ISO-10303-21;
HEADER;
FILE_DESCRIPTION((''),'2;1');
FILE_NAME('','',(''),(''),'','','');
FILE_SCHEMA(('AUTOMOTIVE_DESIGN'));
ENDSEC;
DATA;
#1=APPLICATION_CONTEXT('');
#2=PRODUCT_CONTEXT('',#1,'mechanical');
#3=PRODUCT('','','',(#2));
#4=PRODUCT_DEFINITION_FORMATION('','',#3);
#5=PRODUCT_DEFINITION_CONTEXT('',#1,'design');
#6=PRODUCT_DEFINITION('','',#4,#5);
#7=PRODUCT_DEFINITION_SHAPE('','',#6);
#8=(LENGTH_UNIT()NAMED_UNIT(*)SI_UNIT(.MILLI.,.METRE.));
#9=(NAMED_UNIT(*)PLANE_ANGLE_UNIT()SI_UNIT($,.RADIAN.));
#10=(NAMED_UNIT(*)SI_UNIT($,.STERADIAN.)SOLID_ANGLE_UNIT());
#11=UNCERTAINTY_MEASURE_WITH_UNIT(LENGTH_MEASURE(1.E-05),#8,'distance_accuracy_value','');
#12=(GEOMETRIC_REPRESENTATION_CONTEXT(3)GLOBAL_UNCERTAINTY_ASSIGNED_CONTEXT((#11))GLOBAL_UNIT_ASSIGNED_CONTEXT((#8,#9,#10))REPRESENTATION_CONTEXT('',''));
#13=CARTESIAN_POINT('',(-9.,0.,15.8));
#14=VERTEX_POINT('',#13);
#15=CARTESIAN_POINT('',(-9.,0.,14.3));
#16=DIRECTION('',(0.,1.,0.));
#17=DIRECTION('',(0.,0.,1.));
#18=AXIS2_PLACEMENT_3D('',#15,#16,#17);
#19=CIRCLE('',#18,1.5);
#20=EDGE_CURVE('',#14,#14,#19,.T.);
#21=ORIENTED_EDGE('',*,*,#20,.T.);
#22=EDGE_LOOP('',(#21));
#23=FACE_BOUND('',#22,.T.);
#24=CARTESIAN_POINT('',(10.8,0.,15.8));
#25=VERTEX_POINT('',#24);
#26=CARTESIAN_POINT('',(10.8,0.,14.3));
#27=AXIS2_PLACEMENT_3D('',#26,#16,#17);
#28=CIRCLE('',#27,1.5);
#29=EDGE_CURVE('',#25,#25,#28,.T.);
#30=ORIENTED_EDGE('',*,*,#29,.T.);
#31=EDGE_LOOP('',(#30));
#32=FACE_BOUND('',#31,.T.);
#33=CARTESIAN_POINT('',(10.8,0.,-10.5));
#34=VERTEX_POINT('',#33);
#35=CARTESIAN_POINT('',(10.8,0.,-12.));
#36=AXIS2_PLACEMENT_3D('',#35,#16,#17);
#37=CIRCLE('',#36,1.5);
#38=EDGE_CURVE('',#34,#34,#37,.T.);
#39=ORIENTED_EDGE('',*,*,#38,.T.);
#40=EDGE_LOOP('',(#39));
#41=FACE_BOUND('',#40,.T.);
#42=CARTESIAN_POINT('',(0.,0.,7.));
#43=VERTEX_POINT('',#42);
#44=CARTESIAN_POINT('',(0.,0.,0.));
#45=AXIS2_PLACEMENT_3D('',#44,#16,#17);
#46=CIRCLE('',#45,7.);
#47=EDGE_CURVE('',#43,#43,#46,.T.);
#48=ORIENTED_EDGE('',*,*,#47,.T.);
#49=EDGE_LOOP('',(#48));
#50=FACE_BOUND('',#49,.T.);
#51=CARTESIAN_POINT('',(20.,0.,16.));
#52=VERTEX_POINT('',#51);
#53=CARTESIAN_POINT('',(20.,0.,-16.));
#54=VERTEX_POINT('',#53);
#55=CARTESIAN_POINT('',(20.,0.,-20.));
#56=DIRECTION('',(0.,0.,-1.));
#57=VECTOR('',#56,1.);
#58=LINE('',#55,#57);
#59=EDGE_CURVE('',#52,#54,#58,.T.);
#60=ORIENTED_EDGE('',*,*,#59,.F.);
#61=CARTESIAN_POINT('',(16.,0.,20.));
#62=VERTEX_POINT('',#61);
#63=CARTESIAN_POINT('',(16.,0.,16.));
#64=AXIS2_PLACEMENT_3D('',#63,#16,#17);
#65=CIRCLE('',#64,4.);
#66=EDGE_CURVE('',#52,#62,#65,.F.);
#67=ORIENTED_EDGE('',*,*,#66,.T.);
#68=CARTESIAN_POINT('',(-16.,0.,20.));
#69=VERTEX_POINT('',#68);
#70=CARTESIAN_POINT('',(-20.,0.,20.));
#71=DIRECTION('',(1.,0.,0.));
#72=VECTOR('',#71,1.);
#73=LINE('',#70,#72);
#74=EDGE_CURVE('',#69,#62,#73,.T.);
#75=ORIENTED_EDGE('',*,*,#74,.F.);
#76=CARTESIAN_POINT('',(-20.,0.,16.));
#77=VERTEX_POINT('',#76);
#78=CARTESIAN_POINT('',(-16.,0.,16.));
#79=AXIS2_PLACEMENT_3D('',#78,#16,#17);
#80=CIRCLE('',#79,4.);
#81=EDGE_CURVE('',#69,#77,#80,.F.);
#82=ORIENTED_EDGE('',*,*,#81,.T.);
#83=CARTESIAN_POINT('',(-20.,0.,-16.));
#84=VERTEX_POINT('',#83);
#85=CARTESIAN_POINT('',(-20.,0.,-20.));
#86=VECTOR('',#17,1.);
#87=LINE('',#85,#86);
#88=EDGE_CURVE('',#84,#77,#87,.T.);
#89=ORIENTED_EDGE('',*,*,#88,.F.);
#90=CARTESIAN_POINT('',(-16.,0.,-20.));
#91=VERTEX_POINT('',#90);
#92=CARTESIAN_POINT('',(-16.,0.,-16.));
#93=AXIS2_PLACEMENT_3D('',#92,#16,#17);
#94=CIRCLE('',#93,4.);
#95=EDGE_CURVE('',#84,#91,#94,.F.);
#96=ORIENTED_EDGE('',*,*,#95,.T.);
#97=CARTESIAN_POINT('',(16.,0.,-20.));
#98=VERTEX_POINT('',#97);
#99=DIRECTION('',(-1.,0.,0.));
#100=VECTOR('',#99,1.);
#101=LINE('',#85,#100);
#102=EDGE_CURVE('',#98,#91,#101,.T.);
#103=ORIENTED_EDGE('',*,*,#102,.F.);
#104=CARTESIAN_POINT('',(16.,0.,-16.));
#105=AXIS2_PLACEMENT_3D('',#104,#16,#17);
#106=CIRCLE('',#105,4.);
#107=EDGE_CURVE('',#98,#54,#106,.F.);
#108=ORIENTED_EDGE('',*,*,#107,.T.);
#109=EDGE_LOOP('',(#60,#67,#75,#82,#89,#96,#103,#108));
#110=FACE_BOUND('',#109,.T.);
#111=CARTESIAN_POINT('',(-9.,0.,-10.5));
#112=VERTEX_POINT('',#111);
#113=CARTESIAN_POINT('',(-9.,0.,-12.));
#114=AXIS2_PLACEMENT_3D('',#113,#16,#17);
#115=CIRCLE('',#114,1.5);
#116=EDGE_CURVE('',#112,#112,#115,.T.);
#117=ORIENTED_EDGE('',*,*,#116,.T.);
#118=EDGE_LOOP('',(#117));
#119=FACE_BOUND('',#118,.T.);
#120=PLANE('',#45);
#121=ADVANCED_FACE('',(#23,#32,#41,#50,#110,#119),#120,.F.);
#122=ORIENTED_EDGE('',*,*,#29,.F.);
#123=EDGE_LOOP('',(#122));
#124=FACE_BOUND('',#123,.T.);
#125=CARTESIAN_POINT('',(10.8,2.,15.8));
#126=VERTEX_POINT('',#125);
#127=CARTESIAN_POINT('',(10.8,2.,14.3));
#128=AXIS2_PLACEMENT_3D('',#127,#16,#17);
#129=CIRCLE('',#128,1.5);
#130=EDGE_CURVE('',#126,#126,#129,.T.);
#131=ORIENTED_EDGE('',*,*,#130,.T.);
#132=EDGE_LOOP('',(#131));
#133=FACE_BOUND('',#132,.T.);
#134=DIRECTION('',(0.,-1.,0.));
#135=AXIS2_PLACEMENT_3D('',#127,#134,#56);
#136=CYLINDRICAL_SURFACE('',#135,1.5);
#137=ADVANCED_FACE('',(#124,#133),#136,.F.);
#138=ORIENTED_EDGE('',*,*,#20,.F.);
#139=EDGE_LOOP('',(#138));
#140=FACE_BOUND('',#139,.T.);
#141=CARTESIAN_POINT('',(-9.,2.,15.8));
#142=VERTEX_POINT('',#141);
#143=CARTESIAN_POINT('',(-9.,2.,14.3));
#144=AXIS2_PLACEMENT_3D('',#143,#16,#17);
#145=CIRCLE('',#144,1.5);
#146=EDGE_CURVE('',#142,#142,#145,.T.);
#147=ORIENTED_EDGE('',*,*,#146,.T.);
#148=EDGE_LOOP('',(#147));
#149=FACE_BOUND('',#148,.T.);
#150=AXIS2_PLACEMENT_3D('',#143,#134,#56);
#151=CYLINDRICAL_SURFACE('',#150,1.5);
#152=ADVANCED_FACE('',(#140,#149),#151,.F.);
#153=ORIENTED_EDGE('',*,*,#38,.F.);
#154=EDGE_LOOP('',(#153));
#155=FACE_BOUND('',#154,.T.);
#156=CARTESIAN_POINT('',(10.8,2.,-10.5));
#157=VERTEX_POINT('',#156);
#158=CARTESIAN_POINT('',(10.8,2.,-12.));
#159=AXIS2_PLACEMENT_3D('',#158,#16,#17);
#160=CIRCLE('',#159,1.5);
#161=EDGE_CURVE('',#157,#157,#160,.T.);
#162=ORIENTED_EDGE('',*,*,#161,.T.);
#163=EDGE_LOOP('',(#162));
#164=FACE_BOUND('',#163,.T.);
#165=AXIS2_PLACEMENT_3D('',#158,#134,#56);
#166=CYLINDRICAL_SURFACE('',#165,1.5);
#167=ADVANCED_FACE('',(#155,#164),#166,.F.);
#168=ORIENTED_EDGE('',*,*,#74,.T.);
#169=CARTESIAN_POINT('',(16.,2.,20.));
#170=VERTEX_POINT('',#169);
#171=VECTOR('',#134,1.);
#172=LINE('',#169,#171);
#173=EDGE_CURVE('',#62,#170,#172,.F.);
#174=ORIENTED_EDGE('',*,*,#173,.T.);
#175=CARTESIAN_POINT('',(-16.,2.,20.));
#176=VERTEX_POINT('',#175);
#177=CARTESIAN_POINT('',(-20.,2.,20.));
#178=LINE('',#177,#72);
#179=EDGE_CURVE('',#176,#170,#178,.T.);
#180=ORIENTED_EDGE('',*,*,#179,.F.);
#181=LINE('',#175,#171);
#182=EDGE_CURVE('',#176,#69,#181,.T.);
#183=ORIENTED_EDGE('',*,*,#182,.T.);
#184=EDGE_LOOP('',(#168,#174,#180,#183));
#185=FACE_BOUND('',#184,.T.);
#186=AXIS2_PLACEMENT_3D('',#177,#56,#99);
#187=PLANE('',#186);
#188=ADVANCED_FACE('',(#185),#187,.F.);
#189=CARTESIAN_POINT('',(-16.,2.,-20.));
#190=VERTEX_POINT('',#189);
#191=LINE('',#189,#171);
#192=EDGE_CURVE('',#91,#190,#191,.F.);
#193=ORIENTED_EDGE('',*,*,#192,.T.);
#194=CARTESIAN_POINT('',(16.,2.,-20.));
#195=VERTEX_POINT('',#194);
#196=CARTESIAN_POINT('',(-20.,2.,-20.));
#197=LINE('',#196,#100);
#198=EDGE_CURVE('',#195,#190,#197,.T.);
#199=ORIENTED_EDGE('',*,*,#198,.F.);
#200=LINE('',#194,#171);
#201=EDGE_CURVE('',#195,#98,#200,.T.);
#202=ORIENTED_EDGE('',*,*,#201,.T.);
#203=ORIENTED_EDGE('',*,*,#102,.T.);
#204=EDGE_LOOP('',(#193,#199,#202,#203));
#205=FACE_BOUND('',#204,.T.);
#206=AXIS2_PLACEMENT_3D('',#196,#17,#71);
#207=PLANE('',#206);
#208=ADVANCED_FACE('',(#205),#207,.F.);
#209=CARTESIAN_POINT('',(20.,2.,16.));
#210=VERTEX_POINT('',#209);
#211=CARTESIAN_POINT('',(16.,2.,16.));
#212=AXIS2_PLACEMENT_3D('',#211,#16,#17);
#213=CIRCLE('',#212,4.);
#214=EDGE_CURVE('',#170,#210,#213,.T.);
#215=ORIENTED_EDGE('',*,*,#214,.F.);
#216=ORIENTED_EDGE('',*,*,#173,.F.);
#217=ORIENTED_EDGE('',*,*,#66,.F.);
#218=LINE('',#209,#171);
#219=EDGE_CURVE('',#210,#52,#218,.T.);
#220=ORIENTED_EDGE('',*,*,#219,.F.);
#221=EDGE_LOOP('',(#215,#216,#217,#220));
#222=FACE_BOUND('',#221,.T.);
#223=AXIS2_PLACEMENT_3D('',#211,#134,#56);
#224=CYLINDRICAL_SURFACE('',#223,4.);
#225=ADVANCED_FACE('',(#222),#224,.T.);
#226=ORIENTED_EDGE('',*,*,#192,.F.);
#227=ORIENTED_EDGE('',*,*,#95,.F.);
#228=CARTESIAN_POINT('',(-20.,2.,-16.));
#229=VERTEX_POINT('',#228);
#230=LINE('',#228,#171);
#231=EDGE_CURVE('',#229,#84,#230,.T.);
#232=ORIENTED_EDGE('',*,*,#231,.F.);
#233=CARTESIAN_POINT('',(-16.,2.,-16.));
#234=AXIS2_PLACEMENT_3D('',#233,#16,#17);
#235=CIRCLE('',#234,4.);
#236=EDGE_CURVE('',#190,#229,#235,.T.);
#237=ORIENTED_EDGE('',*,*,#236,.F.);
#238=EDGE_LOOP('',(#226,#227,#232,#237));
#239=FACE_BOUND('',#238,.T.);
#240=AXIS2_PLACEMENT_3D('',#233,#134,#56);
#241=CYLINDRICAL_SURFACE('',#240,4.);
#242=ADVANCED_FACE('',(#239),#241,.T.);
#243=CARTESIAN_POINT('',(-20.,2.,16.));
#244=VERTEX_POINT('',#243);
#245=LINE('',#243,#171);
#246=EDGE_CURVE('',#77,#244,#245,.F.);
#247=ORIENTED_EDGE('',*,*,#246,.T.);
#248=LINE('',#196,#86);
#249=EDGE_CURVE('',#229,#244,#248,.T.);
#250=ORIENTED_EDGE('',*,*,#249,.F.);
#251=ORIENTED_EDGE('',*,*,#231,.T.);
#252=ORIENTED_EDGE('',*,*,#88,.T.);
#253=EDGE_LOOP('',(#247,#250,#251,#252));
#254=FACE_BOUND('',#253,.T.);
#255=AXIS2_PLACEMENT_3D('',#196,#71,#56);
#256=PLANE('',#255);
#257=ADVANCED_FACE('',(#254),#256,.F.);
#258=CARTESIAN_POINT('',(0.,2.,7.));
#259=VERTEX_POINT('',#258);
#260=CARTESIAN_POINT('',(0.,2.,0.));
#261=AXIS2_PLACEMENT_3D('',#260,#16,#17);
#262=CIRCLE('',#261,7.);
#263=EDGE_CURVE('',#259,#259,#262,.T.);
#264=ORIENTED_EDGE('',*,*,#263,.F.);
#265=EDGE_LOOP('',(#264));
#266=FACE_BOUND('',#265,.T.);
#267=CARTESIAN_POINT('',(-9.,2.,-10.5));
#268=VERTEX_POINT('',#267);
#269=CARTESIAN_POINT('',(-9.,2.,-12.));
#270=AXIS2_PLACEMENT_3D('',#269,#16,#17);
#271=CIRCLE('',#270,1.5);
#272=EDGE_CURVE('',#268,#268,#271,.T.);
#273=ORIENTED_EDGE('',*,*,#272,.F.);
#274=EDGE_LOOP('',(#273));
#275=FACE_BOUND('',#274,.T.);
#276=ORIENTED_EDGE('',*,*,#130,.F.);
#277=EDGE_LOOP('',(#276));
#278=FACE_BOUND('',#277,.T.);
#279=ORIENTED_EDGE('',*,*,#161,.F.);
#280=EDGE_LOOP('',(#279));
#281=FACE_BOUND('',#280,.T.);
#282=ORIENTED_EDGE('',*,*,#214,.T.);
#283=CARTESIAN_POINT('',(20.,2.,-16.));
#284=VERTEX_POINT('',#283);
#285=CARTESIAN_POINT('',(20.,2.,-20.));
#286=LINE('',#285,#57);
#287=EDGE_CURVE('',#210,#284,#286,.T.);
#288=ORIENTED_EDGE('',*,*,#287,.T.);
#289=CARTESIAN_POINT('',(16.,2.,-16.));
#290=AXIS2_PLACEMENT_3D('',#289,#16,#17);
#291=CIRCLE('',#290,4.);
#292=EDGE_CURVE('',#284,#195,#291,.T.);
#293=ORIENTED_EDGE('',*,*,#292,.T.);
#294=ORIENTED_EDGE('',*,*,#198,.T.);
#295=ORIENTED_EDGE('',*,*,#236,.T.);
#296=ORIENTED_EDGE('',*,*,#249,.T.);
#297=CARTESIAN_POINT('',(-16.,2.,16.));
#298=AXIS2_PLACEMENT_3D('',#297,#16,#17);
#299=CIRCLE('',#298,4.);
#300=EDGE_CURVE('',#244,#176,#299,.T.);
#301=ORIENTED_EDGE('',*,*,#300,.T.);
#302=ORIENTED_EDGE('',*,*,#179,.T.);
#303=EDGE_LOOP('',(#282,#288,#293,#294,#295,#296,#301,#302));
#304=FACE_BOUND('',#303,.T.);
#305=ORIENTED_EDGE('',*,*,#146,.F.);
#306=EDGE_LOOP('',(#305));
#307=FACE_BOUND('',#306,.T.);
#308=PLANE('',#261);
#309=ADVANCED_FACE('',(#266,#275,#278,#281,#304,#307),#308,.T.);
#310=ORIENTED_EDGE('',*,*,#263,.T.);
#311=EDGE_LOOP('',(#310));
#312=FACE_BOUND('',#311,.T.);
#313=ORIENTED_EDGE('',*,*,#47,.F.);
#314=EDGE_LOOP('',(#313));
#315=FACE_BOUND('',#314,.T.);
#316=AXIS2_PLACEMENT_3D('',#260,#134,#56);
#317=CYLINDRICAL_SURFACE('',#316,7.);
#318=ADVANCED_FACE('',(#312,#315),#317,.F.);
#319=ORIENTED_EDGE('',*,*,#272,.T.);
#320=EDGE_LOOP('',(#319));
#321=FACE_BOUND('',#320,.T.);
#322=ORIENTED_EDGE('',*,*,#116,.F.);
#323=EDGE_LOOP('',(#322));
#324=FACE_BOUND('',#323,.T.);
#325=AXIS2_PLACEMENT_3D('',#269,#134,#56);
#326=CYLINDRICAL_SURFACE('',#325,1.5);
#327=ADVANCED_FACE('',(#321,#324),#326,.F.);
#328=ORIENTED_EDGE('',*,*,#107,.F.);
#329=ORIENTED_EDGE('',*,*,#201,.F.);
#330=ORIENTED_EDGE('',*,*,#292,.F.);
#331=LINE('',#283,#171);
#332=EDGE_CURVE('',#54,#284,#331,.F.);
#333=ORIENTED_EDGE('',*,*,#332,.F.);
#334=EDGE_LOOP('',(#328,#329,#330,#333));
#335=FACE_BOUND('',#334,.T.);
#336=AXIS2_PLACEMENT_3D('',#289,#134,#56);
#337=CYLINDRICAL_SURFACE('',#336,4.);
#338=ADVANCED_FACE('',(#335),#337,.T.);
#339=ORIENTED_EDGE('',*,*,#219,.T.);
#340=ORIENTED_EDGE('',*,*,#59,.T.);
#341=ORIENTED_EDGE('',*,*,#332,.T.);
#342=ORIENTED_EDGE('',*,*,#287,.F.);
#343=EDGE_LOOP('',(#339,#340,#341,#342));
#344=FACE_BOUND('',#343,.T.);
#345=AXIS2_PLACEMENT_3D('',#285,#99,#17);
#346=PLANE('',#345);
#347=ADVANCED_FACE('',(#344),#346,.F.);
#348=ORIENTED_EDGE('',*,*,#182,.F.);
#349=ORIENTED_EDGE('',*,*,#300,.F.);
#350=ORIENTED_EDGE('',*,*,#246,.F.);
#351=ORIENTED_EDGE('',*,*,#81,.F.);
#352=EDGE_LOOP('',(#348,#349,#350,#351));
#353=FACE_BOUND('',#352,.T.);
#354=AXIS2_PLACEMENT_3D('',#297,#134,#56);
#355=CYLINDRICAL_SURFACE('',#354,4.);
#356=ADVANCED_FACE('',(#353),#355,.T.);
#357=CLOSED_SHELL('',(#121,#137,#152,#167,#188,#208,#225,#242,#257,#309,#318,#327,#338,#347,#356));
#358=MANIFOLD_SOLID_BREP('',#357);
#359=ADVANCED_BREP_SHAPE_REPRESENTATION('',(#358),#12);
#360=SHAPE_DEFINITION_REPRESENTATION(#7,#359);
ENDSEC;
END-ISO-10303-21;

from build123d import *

# Parameters (mm, degrees)
SKETCH2_W           = 40
SKETCH2_H           = 40
SKETCH2_R           = 7
SKETCH2_R_2         = 1.5
BOSS_EXTRUDE1_DEPTH = 2
FILLET1_R           = 4


with BuildPart() as part:
    # Sketch2 → Boss-Extrude1 (new body)
    with BuildSketch(Plane(origin=(0, 0, 0), x_dir=(1, 0, 0), z_dir=(0, 1, 0))):
        Rectangle(SKETCH2_W, SKETCH2_H)
        Circle(SKETCH2_R, mode=Mode.SUBTRACT)
        with Locations((-9, 12)):
            Circle(SKETCH2_R_2, mode=Mode.SUBTRACT)
        with Locations((-9, -14.3)):
            Circle(SKETCH2_R_2, mode=Mode.SUBTRACT)
        with Locations((10.8, -14.3)):
            Circle(SKETCH2_R_2, mode=Mode.SUBTRACT)
        with Locations((10.8, 12)):
            Circle(SKETCH2_R_2, mode=Mode.SUBTRACT)
    extrude(amount=BOSS_EXTRUDE1_DEPTH)

    # Fillet1
    fillet1_edges = [part.edges().sort_by_distance(p)[0] for p in [
        (20, 1, 20),
        (-20, 1, 20),
        (-20, 1, -20),
        (20, 1, -20),
    ]]
    fillet(fillet1_edges, radius=FILLET1_R)


solid = part.part
